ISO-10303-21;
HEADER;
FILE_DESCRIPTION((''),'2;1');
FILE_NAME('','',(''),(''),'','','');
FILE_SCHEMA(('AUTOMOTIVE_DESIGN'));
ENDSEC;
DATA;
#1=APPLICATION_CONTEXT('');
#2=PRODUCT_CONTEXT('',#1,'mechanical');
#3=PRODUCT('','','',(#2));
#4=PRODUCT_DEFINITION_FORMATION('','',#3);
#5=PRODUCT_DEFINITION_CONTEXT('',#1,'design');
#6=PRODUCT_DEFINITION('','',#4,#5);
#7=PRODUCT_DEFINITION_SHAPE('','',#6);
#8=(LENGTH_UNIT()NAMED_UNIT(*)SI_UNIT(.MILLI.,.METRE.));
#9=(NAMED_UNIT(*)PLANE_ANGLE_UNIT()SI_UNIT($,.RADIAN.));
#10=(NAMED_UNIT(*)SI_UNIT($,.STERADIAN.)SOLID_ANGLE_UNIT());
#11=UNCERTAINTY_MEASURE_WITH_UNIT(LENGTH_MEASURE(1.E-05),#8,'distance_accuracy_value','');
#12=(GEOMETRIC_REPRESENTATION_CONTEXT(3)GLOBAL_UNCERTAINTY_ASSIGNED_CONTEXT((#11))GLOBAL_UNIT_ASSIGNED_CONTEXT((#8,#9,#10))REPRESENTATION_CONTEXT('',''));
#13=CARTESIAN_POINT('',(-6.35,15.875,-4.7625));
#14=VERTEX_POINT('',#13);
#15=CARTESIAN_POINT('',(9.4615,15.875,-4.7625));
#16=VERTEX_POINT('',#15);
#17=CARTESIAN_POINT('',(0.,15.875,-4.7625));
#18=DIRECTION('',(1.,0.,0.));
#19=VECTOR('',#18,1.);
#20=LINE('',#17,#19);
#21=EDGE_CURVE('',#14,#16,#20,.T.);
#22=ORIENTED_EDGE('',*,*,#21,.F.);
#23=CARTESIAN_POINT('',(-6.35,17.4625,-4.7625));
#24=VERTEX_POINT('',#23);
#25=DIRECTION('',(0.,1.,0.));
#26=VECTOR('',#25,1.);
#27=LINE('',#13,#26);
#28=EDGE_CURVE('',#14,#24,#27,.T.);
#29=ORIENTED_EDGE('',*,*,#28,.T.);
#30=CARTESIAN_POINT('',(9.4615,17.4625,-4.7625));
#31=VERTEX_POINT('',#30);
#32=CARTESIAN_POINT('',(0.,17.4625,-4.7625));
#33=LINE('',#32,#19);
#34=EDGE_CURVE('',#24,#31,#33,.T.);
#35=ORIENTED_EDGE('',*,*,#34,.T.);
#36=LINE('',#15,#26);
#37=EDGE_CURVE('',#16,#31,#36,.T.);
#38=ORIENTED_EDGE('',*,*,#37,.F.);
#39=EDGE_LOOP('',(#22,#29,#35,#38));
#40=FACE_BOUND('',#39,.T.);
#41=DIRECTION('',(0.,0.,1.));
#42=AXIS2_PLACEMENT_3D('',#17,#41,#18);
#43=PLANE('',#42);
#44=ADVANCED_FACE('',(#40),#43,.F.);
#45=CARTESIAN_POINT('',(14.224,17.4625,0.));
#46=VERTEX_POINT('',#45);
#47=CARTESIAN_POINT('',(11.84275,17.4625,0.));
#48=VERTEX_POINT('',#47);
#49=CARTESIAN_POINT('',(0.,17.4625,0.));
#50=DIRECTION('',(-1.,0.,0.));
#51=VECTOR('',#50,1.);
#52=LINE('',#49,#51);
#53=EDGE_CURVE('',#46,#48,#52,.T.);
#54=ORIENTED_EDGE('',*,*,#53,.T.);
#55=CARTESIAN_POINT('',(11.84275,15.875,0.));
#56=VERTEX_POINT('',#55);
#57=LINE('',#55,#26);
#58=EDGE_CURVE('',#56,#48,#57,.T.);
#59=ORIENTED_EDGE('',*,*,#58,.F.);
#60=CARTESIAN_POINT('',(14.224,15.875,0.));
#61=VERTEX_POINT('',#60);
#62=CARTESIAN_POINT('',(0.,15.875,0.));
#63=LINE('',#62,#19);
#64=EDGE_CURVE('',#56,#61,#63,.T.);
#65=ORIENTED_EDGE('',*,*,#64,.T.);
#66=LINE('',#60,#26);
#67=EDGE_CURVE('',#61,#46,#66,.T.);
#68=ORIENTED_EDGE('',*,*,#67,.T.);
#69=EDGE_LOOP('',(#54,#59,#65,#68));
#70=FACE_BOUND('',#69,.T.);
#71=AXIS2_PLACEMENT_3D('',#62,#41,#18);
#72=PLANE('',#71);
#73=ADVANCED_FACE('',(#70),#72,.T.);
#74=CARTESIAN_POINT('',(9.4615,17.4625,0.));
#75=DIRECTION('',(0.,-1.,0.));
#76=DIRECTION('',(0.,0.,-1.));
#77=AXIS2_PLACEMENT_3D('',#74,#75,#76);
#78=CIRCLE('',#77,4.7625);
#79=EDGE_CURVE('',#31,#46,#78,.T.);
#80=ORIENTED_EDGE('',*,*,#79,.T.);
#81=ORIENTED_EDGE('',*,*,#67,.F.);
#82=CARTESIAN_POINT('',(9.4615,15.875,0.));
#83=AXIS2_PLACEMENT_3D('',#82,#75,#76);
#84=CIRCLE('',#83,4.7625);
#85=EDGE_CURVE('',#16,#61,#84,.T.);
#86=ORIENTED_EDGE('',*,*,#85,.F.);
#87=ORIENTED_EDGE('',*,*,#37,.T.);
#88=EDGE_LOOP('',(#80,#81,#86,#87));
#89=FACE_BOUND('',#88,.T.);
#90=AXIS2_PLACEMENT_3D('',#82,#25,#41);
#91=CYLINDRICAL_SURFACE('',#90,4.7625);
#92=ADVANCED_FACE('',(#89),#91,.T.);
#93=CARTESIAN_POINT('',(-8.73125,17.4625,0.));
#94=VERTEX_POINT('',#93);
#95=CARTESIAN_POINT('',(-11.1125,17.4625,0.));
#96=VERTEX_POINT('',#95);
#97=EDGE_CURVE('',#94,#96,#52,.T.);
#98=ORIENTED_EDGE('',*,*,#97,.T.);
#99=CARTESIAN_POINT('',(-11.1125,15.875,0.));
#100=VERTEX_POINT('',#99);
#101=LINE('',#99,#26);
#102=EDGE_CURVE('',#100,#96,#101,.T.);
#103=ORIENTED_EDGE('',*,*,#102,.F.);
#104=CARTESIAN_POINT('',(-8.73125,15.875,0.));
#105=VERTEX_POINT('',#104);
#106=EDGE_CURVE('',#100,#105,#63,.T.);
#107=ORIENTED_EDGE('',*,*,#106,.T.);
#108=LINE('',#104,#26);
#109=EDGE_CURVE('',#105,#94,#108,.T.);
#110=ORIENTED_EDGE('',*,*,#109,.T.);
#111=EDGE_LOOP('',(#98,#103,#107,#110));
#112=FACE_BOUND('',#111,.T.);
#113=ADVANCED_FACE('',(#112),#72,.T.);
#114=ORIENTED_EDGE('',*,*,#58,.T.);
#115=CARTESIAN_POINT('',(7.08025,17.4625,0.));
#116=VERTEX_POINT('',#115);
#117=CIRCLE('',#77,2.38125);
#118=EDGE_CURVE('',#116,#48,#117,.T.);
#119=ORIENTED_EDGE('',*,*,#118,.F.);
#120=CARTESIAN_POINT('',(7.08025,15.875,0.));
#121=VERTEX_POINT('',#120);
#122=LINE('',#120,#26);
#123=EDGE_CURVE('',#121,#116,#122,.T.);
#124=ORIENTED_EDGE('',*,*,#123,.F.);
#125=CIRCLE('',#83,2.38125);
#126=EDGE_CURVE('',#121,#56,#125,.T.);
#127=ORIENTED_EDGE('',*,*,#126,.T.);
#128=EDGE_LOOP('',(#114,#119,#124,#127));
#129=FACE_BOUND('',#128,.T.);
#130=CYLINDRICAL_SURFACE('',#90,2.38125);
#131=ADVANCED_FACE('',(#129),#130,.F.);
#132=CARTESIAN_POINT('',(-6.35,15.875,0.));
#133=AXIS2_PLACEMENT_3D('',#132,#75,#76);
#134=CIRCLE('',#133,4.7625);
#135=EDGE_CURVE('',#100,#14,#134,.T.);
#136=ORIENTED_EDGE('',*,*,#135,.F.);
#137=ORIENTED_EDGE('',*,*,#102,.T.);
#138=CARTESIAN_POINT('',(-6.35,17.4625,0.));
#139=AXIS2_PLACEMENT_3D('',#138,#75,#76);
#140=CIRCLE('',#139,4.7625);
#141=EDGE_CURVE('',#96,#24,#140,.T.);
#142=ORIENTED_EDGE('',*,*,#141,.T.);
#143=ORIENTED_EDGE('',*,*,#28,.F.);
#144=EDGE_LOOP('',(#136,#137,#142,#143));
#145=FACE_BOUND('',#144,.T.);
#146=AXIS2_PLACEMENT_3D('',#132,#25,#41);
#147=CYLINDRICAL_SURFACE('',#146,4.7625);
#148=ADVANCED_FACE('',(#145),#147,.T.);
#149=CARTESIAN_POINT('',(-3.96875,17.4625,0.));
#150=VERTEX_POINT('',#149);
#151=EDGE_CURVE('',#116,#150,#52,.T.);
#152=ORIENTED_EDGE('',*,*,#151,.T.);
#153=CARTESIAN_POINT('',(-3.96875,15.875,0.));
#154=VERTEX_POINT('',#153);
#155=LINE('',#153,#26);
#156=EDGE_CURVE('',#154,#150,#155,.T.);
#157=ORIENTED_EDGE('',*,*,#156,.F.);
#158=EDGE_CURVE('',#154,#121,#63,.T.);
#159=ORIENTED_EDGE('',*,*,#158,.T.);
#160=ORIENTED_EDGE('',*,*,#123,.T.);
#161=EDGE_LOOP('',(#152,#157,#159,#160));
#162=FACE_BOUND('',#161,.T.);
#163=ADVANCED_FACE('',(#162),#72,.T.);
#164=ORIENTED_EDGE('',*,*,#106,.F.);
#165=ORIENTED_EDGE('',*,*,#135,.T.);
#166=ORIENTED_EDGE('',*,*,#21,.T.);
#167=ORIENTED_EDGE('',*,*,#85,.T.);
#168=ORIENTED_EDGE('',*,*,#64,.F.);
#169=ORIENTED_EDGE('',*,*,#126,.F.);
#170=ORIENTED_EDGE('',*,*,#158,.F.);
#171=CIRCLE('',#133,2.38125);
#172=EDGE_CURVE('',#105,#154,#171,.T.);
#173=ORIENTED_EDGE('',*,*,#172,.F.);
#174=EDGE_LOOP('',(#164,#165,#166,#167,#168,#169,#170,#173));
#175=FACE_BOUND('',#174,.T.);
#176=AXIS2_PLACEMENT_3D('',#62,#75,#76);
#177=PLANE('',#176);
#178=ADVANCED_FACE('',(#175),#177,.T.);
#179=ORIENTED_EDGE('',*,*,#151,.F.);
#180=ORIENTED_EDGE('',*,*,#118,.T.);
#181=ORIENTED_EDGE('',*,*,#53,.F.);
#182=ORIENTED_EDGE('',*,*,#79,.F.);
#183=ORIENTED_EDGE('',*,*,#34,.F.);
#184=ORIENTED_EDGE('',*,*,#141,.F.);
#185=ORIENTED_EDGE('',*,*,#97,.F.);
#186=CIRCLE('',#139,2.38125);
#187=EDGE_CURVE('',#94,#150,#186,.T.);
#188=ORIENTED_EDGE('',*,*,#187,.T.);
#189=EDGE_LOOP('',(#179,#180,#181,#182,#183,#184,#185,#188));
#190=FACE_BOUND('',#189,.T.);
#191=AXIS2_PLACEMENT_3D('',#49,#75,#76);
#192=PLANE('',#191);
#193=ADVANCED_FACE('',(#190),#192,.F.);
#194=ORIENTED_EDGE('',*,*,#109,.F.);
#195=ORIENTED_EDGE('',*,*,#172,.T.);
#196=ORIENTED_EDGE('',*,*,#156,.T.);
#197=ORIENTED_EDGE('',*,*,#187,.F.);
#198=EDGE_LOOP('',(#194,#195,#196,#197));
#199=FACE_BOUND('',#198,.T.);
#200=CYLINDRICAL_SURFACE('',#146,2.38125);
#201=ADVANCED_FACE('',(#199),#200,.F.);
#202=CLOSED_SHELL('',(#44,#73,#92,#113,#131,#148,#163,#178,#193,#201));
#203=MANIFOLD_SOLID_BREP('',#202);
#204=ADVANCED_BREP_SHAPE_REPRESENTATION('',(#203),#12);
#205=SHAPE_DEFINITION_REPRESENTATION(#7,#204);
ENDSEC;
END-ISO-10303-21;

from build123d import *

# Parameters (mm, degrees)
SKETCH1_R               = 2.38125
BOSS_EXTRUDE1_DEPTH     = 1.5875
SKETCH2_R               = 3.175
BOSS_EXTRUDE2_DEPTH     = 1.5875
SKETCH3_R               = 2.38125
BOSS_EXTRUDE3_DEPTH     = 19.05
SKETCH4_R               = 3.175
BOSS_EXTRUDE4_DEPTH     = 1.5875
SKETCH5_R               = 2.38125
BOSS_EXTRUDE5_DEPTH     = 1.5875
SKETCH6_R               = 2.38125
CUT_EXTRUDE1_DEPTH      = 28.662025878
SKETCH7_W               = 40.69090725
SKETCH7_H               = 20.005301762
CUT_EXTRUDE2_DEPTH      = 26.381492779
CUT_EXTRUDE3_DEPTH      = 19.487872394
CUT_EXTRUDE3_DEPTH_BACK = 19.487872394
SKETCH8_R               = 2.38125


with BuildPart() as part:
    # Sketch1 → Boss-Extrude1 (new body)
    with BuildSketch(Plane(origin=(0, 0, 0), x_dir=(1, 0, 0), z_dir=(0, 1, 0))):
        with BuildLine():
            Line((9.398005644, 4.762076723), (-6.35, 4.7625))
            ThreePointArc((-6.35, 4.7625), (-11.020584629, 0.931152767), (-8.176363381, -4.398386414))
            ThreePointArc((-8.176363381, -4.398386414), (-5.292234705, -6.221263486), (-3.181508348, -8.901918869))
            ThreePointArc((-3.181508348, -8.901918869), (1.849687492, -11.693035316), (6.504625866, -8.311495529))
            ThreePointArc((6.504625866, -8.311495529), (8.146827792, -5.96033805), (10.67447942, -4.60544104))
            ThreePointArc((10.67447942, -4.60544104), (14.180390361, 0.643024113), (9.398005644, 4.762076723))
        make_face()
        with Locations(Location((-6.35, 0, 0), (0, 0, 270))):
            Circle(SKETCH1_R, mode=Mode.SUBTRACT)
        with Locations(Location((9.4615, 0, 0), (0, 0, 270))):
            Circle(SKETCH1_R, mode=Mode.SUBTRACT)
        with Locations(Location((1.524, -6.35, 0), (0, 0, 270))):
            Circle(SKETCH1_R, mode=Mode.SUBTRACT)
    extrude(amount=BOSS_EXTRUDE1_DEPTH)

    # Sketch2 → Boss-Extrude2 (add)
    with BuildSketch(Plane.XZ):
        with Locations(Location((1.524, 6.35, 0), (0, 0, 90))):
            Circle(SKETCH2_R)
    extrude(amount=BOSS_EXTRUDE2_DEPTH)

    # Sketch3 → Boss-Extrude3 (add)
    with BuildSketch(Plane(origin=(0, 0, 0), x_dir=(1, 0, 0), z_dir=(0, 1, 0))):
        with Locations(Location((1.524, -6.35, 0), (0, 0, 90))):
            Circle(SKETCH3_R)
    extrude(amount=BOSS_EXTRUDE3_DEPTH)

    # Sketch4 → Boss-Extrude4 (add)
    with BuildSketch(Plane(origin=(0, 19.05, 0), x_dir=(1, 0, 0), z_dir=(0, 1, 0))):
        with Locations(Location((1.524, -6.35, 0), (0, 0, 270))):
            Circle(SKETCH4_R)
    extrude(amount=-BOSS_EXTRUDE4_DEPTH)

    # Sketch6 → Cut-Extrude1 (cut, through all)
    with BuildSketch(Plane(origin=(0, 19.05, 0), x_dir=(1, 0, 0), z_dir=(0, 1, 0))):
        with Locations(Location((1.524, -6.35, 0), (0, 0, 90))):
            Circle(SKETCH6_R)
    extrude(amount=-CUT_EXTRUDE1_DEPTH, mode=Mode.SUBTRACT)


with BuildPart() as body_2:
    # Sketch5 → Boss-Extrude5 (new body)
    with BuildSketch(Plane.XZ.offset(-17.4625)):
        with BuildLine():
            ThreePointArc((-8.176363381, 4.398386414), (-11.020584629, -0.931152767), (-6.35, -4.7625))
            Line((-6.35, -4.7625), (9.4615, -4.7625))
            ThreePointArc((9.4615, -4.7625), (14.184572051, -0.611552653), (10.67447942, 4.60544104))
            ThreePointArc((10.67447942, 4.60544104), (8.146827792, 5.96033805), (6.504625866, 8.311495529))
            ThreePointArc((6.504625866, 8.311495529), (1.849687492, 11.693035316), (-3.181508348, 8.901918869))
            ThreePointArc((-3.181508348, 8.901918869), (-5.292234705, 6.221263486), (-8.176363381, 4.398386414))
        make_face()
        with Locations(Location((-6.35, 0, 0), (0, 0, 270))):
            Circle(SKETCH5_R, mode=Mode.SUBTRACT)
        with Locations(Location((9.4615, 0, 0), (0, 0, 270))):
            Circle(SKETCH5_R, mode=Mode.SUBTRACT)
        with Locations(Location((1.524, 6.35, 0), (0, 0, 270))):
            Circle(SKETCH5_R, mode=Mode.SUBTRACT)
    extrude(amount=BOSS_EXTRUDE5_DEPTH)


with BuildPart() as cut_extrude1_piece_1:
    # of the separate pieces the step leaves, piece 1, a body of its own (cut_extrude1_pieces)
    add(part.part.solids().sort_by_distance((9.398005644, 0, -4.762076723))[0])

    # Sketch7 → Cut-Extrude2 (cut, through all)
    with BuildSketch(Plane(origin=(0, 1.5875, 0), x_dir=(1, 0, 0), z_dir=(0, 1, 0))):
        with Locations((0.04887425, -4.128782639)):
            Rectangle(SKETCH7_W, SKETCH7_H)
    extrude(amount=-CUT_EXTRUDE2_DEPTH, mode=Mode.SUBTRACT)


with BuildPart() as cut_extrude1_piece_2:
    # of the separate pieces the step leaves, piece 2, a body of its own (cut_extrude1_pieces)
    add(part.part.solids().sort_by_distance((1.524, 17.4625, 9.525))[0])


with BuildPart() as cut_extrude3_tool:
    # Sketch8 → Cut-Extrude3 (new, two sides: drawn at the far end of the back side and taken through both)
    # profile 1 of 2: a face of its own
    with BuildSketch(Plane(origin=(0, 17.4625, 0), x_dir=(1, 0, 0), z_dir=(0, 1, 0)).offset(-CUT_EXTRUDE3_DEPTH_BACK)):
        with BuildLine():
            Line((14.224, 0), (11.84275, 0))
            ThreePointArc((11.84275, 0), (9.4615, -2.38125), (7.08025, 0))
            Line((7.08025, 0), (-3.96875, 0))
            ThreePointArc((-3.96875, 0), (-6.35, -2.38125), (-8.73125, 0))
            Line((-8.73125, 0), (-11.1125, 0))
            ThreePointArc((-11.1125, 0), (-10.311026499, -2.644177627), (-8.176363381, -4.398386414))
            ThreePointArc((-8.176363381, -4.398386414), (-5.292234705, -6.221263486), (-3.181508348, -8.901918869))
            ThreePointArc((-3.181508348, -8.901918869), (1.849687492, -11.693035316), (6.504625866, -8.311495529))
            ThreePointArc((6.504625866, -8.311495529), (8.146827792, -5.96033805), (10.67447942, -4.60544104))
            ThreePointArc((10.67447942, -4.60544104), (13.233649304, -2.907283248), (14.224, 0))
        make_face()
        with Locations((1.524, -6.35)):
            Circle(SKETCH8_R, mode=Mode.SUBTRACT)
    # profile 2 of 2: a face of its own
    with BuildSketch(Plane(origin=(0, 17.4625, 0), x_dir=(1, 0, 0), z_dir=(0, 1, 0)).offset(-CUT_EXTRUDE3_DEPTH_BACK)):
        with Locations((1.524, -6.35)):
            Circle(SKETCH8_R)
    extrude(amount=CUT_EXTRUDE3_DEPTH + CUT_EXTRUDE3_DEPTH_BACK)


with BuildPart() as body_2_1:
    add(body_2.part)

    # Cut-Extrude3: cut by cut_extrude3_tool
    add(cut_extrude3_tool.part, mode=Mode.SUBTRACT)


with BuildPart() as cut_extrude1_piece_2_1:
    add(cut_extrude1_piece_2.part)

    # Cut-Extrude3: cut by cut_extrude3_tool
    add(cut_extrude3_tool.part, mode=Mode.SUBTRACT)


solid = body_2_1.part
